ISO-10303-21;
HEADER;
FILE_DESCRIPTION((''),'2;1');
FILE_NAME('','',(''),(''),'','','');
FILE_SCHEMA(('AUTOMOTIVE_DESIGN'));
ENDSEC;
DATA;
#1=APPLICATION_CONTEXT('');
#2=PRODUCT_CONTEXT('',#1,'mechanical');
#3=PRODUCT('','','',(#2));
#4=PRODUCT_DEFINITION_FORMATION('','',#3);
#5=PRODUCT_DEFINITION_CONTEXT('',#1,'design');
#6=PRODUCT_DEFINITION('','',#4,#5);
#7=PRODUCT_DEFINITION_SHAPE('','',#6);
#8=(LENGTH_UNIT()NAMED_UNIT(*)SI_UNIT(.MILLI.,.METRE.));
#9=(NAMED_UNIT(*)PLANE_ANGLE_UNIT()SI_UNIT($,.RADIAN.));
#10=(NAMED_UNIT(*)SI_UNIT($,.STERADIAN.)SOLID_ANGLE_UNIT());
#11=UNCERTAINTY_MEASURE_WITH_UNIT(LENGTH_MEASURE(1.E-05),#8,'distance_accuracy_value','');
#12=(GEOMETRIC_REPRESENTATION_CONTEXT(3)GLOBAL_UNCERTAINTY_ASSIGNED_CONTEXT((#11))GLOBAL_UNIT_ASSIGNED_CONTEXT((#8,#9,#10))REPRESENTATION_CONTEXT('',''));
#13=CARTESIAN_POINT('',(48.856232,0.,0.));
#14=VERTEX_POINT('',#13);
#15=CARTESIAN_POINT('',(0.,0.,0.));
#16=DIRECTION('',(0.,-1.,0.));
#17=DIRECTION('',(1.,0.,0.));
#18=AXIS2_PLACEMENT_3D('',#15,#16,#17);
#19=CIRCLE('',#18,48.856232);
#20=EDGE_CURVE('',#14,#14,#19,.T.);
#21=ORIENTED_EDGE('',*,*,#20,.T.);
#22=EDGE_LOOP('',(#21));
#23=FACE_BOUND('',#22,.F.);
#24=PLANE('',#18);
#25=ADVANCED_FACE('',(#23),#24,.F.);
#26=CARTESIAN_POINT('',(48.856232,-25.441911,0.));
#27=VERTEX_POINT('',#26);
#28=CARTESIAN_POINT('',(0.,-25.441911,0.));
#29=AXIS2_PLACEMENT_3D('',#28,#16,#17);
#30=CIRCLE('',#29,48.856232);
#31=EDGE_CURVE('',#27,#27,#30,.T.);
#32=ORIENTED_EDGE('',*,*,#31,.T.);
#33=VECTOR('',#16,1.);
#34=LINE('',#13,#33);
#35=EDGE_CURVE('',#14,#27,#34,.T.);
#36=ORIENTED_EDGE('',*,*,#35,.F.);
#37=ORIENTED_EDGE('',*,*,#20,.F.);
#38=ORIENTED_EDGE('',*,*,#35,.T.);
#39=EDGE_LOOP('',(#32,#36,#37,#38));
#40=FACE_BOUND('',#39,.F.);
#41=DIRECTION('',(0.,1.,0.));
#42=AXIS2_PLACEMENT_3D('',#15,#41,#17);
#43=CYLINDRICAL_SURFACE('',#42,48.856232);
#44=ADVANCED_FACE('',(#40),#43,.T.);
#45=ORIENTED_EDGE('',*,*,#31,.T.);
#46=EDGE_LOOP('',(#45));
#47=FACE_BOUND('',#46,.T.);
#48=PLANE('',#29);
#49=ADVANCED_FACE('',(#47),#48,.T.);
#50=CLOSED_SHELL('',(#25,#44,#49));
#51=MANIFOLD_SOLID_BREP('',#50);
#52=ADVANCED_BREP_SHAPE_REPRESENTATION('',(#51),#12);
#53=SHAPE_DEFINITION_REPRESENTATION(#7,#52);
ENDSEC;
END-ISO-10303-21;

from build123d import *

# Parameters (mm, degrees)
F1_R     = 48.856232
F2_DEPTH = 25.441911


with BuildPart() as f2:
    # F1 (on face) → F2 (new body)
    with BuildSketch(Plane.XZ):
        Circle(F1_R)
    extrude(amount=F2_DEPTH)


solid = f2.part
